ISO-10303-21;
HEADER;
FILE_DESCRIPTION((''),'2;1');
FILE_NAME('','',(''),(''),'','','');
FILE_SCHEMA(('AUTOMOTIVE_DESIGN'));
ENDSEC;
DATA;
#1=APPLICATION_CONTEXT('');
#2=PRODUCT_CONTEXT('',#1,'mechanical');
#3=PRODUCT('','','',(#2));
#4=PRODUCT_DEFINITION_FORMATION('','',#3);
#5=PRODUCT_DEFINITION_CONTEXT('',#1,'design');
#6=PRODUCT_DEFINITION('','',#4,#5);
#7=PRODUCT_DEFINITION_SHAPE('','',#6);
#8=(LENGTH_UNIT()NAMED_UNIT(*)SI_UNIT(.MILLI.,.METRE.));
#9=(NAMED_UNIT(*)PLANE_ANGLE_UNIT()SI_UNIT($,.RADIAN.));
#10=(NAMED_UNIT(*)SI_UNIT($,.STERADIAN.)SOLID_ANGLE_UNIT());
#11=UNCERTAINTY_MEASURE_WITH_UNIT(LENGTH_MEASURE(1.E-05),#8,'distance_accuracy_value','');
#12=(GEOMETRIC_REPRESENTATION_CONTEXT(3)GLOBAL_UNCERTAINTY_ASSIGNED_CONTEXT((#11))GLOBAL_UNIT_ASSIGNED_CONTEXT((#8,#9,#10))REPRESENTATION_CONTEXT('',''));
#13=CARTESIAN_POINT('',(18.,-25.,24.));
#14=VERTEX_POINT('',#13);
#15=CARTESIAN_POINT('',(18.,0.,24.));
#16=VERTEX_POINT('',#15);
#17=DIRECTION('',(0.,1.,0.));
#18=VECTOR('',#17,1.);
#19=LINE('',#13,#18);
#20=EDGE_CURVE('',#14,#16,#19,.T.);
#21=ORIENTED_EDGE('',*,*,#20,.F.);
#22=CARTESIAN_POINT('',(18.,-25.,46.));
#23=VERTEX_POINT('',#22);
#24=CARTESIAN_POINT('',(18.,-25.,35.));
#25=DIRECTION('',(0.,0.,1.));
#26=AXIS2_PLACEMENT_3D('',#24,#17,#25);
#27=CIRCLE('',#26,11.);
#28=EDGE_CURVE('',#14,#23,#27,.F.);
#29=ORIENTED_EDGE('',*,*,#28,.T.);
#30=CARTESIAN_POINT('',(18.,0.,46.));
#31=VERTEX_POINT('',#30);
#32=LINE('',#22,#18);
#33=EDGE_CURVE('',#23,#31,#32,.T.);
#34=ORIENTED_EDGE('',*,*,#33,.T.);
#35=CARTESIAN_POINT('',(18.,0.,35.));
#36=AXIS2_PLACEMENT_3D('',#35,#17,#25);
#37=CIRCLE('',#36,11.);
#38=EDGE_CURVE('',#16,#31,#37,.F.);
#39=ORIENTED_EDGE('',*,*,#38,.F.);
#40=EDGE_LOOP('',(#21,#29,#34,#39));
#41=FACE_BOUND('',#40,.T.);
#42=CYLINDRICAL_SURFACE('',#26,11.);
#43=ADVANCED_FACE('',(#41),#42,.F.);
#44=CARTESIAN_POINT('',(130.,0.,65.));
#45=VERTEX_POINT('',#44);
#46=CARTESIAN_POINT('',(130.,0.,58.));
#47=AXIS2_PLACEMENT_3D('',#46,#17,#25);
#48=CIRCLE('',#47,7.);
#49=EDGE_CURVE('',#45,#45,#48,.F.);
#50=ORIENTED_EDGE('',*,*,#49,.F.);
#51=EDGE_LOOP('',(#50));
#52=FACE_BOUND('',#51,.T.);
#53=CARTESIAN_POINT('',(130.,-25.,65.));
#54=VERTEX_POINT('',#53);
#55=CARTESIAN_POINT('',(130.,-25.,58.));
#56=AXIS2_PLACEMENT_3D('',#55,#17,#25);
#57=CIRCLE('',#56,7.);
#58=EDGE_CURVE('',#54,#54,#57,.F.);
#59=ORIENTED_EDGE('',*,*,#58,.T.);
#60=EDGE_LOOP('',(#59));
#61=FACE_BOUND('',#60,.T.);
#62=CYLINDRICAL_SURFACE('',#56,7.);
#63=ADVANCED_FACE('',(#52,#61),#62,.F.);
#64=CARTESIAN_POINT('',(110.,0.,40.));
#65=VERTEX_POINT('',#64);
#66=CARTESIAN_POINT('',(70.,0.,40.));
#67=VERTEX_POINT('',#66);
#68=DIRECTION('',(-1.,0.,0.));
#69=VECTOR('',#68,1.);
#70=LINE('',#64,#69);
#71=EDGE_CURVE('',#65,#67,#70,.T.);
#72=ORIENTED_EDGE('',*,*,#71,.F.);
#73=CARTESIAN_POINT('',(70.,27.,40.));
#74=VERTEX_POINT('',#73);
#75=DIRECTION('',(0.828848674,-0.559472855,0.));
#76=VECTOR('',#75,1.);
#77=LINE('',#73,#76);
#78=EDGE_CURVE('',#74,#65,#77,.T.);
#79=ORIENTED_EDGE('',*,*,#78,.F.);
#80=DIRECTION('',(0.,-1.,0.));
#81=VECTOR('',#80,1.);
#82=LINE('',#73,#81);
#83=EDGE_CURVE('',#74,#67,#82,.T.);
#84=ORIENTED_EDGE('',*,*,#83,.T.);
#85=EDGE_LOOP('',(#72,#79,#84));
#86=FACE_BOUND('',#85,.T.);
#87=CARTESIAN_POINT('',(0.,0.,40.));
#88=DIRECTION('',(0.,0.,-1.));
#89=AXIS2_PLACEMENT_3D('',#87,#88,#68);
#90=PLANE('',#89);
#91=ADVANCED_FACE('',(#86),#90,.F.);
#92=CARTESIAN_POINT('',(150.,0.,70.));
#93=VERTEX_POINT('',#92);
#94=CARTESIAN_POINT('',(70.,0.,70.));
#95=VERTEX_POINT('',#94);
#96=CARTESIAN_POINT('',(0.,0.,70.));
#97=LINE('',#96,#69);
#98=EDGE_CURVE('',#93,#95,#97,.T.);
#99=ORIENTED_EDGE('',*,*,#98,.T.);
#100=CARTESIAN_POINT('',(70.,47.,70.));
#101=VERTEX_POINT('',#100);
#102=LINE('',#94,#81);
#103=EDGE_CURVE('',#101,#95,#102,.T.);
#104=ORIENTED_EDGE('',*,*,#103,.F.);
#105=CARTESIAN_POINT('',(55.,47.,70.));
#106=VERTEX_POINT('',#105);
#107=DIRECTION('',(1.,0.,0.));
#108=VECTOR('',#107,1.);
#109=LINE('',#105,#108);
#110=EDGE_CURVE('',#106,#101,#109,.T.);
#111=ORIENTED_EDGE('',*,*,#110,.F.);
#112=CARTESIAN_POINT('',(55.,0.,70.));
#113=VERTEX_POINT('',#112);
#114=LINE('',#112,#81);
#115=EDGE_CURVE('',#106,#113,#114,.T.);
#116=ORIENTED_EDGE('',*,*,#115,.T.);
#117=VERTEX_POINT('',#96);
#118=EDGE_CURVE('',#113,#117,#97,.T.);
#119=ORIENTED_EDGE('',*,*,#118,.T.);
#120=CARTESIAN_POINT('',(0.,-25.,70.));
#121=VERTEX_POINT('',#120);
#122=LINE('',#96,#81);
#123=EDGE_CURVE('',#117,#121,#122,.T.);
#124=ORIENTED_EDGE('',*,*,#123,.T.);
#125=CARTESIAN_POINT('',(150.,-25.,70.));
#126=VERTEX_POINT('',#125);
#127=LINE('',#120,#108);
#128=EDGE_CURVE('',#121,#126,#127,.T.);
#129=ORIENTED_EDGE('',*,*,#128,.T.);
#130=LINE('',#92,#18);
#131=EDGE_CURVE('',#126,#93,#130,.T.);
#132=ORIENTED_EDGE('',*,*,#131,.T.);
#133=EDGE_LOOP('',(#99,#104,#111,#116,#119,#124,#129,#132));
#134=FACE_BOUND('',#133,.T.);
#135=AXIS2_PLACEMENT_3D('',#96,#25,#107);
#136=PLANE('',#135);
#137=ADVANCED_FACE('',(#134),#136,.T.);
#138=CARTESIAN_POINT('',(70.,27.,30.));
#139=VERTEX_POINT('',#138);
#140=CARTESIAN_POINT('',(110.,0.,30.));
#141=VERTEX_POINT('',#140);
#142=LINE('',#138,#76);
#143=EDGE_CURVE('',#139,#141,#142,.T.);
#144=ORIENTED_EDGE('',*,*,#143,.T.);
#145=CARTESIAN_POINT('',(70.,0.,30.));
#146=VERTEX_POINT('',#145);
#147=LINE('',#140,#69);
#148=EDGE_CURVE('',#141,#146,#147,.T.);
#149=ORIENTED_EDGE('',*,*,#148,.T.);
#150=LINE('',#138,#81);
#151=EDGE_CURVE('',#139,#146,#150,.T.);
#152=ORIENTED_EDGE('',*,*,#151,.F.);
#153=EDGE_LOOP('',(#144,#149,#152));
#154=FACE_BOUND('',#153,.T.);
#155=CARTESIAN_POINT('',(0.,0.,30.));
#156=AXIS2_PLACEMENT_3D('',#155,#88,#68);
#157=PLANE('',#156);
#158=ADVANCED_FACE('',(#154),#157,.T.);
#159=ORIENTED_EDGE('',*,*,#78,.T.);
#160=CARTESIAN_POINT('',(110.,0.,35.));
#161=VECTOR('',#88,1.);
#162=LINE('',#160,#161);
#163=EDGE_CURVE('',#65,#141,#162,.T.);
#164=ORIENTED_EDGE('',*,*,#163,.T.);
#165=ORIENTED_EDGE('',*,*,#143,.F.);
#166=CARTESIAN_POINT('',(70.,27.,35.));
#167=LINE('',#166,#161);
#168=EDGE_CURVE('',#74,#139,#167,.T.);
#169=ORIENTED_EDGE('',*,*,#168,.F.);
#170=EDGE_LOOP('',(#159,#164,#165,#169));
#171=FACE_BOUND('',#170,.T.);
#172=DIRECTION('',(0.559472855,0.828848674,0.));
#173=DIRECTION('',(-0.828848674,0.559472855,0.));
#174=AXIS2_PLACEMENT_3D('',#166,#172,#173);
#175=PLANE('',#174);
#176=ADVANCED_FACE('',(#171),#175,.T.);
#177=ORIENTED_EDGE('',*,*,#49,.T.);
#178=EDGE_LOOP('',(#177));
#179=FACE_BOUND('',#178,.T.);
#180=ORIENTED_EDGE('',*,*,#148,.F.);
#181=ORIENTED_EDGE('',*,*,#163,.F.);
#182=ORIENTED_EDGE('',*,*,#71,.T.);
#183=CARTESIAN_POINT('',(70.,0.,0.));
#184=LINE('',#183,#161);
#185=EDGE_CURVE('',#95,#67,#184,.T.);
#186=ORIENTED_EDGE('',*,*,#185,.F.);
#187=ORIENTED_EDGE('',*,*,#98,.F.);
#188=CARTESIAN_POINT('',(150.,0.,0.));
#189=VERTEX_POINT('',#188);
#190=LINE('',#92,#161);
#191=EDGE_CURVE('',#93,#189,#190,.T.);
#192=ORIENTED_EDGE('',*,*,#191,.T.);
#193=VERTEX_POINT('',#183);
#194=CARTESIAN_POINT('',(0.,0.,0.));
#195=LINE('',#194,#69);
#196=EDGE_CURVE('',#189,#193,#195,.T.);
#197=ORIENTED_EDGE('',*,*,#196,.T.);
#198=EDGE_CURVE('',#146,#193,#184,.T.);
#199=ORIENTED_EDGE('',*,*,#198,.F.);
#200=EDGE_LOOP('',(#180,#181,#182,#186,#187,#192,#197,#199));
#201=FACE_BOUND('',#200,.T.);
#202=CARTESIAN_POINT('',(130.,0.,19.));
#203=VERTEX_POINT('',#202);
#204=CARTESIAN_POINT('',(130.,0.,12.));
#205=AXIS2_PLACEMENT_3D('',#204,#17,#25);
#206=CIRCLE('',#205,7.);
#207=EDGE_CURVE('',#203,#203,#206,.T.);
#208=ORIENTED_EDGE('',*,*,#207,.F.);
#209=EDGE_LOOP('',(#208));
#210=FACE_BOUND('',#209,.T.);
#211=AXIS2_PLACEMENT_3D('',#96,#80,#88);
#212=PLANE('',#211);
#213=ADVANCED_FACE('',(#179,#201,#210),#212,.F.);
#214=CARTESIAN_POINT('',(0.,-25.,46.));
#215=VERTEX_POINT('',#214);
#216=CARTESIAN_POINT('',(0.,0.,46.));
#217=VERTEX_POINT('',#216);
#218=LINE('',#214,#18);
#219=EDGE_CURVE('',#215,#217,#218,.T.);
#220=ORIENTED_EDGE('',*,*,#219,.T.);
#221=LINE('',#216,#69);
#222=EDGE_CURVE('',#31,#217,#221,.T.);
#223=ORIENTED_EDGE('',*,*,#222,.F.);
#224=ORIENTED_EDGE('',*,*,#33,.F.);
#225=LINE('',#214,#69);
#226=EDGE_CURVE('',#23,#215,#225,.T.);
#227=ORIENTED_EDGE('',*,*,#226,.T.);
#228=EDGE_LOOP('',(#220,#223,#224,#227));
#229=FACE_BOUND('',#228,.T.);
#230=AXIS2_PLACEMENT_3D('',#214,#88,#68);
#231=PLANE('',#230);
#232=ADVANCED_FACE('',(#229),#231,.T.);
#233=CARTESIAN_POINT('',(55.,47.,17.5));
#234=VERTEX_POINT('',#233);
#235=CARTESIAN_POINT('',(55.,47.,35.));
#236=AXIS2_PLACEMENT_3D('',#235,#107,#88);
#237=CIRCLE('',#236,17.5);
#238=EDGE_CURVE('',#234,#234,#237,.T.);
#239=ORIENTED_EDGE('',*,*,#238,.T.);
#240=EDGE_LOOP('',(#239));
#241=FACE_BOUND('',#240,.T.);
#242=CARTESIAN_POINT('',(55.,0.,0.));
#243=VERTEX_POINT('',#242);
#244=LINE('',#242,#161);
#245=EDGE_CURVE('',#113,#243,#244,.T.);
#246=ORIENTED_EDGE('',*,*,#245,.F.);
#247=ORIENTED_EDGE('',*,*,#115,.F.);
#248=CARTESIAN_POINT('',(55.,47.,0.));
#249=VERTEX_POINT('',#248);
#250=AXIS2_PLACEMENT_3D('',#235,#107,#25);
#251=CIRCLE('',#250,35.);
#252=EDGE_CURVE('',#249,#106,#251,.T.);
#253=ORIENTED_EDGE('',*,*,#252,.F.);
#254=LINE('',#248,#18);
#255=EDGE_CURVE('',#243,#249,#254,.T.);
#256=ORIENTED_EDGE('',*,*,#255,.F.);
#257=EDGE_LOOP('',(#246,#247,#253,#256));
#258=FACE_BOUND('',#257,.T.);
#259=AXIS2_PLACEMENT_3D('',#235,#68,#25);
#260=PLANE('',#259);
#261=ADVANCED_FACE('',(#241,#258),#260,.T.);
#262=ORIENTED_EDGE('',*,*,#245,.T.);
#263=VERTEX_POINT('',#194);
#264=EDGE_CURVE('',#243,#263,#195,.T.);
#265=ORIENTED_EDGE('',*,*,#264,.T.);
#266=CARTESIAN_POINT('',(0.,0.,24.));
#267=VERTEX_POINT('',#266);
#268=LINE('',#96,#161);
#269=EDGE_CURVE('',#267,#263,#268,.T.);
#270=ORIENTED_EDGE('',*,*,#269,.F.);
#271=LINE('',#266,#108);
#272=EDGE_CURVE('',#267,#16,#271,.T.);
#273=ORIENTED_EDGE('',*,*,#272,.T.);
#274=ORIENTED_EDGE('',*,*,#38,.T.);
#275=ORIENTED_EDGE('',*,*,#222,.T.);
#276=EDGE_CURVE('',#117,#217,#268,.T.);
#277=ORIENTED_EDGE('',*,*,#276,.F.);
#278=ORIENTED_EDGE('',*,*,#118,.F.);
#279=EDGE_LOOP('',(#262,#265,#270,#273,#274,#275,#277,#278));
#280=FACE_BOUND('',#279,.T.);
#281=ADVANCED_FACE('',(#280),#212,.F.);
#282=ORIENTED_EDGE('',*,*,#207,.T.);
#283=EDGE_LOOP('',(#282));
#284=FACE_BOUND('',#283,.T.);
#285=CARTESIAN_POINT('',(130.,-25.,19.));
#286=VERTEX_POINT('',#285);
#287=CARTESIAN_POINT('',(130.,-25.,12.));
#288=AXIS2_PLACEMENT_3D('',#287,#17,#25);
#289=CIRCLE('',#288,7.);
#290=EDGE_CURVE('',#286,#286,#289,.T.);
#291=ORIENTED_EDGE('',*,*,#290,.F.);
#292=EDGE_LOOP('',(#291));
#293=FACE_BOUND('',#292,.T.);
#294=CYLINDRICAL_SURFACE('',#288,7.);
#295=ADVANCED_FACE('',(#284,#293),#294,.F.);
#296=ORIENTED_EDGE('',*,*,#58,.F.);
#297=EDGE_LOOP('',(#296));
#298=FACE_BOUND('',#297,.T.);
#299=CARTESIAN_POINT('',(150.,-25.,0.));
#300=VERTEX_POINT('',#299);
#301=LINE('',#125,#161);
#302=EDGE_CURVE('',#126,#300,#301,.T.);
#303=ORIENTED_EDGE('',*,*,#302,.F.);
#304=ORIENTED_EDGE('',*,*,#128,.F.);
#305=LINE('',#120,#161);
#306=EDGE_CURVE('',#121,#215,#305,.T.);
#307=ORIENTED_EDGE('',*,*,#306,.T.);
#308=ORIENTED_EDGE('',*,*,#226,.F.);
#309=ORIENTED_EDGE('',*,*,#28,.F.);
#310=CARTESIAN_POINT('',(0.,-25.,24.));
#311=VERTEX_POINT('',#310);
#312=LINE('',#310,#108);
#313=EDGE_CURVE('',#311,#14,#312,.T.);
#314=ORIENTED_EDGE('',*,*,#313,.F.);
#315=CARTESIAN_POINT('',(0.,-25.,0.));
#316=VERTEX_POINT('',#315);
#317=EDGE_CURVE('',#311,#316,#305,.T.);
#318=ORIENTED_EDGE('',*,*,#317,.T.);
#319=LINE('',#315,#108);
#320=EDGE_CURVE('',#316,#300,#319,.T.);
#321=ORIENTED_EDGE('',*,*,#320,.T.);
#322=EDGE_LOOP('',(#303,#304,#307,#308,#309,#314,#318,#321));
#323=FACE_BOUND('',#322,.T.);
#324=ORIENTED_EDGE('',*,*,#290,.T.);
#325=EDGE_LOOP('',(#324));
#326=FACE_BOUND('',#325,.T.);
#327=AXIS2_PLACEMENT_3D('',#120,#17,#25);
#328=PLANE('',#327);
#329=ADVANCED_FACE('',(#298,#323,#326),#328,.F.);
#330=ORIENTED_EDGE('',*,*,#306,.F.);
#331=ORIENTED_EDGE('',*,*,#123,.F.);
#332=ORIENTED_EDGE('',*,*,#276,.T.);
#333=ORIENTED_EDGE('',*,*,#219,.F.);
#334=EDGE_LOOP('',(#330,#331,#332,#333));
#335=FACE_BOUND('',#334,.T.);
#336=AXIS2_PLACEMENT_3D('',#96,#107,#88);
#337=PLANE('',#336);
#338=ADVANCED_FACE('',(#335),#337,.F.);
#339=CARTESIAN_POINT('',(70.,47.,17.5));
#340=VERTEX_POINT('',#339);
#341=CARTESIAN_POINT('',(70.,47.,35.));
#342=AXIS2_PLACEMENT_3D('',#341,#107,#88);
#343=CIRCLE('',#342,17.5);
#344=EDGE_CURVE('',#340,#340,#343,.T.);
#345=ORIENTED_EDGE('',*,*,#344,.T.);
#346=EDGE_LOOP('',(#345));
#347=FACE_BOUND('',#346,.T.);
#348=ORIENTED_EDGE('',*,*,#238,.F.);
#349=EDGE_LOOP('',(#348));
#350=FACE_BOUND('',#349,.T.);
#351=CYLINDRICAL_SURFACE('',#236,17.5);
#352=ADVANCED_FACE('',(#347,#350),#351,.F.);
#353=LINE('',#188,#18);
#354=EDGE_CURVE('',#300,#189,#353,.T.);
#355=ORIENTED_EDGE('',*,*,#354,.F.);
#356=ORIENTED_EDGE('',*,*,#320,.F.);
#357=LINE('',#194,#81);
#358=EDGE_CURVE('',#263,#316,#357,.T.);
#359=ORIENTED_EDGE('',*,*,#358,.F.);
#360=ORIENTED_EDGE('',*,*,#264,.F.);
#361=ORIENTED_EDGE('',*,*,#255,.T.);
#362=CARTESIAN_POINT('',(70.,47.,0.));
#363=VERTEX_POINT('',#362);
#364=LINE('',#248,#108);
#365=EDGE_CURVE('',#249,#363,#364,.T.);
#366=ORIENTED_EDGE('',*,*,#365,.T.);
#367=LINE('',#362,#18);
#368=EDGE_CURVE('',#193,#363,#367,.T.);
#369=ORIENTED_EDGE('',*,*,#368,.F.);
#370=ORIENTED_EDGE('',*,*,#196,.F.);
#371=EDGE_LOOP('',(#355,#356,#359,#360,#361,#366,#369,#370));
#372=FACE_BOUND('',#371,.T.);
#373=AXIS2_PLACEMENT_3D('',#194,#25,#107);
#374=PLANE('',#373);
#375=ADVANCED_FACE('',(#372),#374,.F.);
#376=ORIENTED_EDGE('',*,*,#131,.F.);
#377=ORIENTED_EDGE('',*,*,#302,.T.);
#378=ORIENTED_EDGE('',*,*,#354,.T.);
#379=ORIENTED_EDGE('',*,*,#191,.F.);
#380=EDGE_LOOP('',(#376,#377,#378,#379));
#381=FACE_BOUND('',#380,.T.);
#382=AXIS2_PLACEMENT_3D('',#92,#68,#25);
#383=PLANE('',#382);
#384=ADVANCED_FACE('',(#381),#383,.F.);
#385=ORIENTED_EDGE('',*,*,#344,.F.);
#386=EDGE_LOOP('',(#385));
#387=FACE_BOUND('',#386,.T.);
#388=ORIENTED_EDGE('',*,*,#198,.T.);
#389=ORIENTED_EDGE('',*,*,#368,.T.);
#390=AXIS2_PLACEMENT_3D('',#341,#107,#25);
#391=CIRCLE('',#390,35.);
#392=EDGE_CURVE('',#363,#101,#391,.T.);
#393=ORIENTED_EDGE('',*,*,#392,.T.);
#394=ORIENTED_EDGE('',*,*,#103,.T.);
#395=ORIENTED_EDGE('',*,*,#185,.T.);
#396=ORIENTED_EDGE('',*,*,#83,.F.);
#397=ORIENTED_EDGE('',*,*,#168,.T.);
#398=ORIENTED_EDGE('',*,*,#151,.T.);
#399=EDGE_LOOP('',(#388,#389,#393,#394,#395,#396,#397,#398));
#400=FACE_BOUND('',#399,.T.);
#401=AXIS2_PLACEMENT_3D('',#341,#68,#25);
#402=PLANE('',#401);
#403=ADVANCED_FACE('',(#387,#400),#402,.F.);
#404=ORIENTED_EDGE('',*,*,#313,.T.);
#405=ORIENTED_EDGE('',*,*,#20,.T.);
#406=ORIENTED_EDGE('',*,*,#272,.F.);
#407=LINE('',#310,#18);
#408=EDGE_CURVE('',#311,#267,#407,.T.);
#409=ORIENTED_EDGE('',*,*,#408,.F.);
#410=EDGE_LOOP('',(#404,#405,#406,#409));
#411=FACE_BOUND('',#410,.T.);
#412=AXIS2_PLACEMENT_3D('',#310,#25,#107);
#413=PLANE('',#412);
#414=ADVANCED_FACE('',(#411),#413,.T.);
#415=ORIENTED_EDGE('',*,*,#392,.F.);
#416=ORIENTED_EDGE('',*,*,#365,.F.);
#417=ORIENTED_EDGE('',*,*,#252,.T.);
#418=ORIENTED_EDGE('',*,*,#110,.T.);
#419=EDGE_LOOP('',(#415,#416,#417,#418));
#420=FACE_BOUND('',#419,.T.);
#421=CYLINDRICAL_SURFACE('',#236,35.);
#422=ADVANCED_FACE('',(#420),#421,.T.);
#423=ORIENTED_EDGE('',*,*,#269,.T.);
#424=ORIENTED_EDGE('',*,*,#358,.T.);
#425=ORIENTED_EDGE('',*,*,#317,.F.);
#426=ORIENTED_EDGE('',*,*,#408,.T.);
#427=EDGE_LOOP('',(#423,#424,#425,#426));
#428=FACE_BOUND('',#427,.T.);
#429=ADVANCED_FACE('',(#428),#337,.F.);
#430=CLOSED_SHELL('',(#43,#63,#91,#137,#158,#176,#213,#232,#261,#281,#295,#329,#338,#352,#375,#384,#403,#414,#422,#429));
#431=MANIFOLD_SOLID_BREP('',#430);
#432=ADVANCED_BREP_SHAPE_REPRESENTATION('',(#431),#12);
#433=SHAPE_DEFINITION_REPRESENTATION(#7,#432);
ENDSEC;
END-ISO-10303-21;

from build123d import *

# Parameters (mm, degrees)
SKETCH_1_W           = 150
SKETCH_1_H           = 25
EXTRUDE_1_DEPTH      = 70
SKETCH_2_R           = 7
CUT_EXTRUDE_1_DEPTH  = 168.406690428
EXTRUDE_START        = -80
SKETCH_3_R           = 17.5
EXTRUDE_2_DEPTH      = 15
EXTRUDE_5_DEPTH      = 5
EXTRUDE_5_DEPTH_BACK = 5


with BuildPart() as part:
    # Эскиз1 → Бобышка-Вытянуть1 (new body)
    with BuildSketch(Plane.XY):
        with Locations((75, -12.5)):
            Rectangle(SKETCH_1_W, SKETCH_1_H)
    extrude(amount=EXTRUDE_1_DEPTH)

    # Эскиз2 → Вырез-Вытянуть1 (cut, through all)
    with BuildSketch(Plane(origin=(0, 0, 0), x_dir=(1, 0, 0), z_dir=(0, 1, 0))):
        with BuildLine():
            Line((18, -24), (0, -24))
            Line((0, -24), (0, -46))
            Line((0, -46), (18, -46))
            ThreePointArc((18, -46), (29, -35), (18, -24))
        make_face()
        with Locations(Location((130, -12, 0), (0, 0, 270))):
            Circle(SKETCH_2_R)
        with Locations(Location((130, -58, 0), (0, 0, 270))):
            Circle(SKETCH_2_R)
    extrude(amount=-CUT_EXTRUDE_1_DEPTH, mode=Mode.SUBTRACT)

    # Эскиз3 → Бобышка-Вытянуть2 (add)
    with BuildSketch(Plane(origin=(150, 0, 0), x_dir=(0, 0, -1), z_dir=(1, 0, 0)).offset(EXTRUDE_START)):
        with BuildLine():
            Line((-70, 0), (-70, 47))
            ThreePointArc((-70, 47), (-35, 82), (0, 47))
            Line((0, 47), (0, 0))
            Line((0, 0), (-70, 0))
        make_face()
        with Locations((-35, 47)):
            Circle(SKETCH_3_R, mode=Mode.SUBTRACT)
    extrude(amount=-EXTRUDE_2_DEPTH)

    # Sketch 1 2 → Бобышка-Вытянуть5 (add, two sides: drawn at the far end of the back side and taken through both)
    with BuildSketch(Plane(origin=(70, 27, 35), x_dir=(0.8288486740756482, -0.5594728550010625, 0), z_dir=(0, 0, -1)).offset(-EXTRUDE_5_DEPTH_BACK)):
        Polygon((0, 0), (48.259714048, 0), (15.105767085, 22.3789142), align=None)
    extrude(amount=EXTRUDE_5_DEPTH + EXTRUDE_5_DEPTH_BACK)


solid = part.part
